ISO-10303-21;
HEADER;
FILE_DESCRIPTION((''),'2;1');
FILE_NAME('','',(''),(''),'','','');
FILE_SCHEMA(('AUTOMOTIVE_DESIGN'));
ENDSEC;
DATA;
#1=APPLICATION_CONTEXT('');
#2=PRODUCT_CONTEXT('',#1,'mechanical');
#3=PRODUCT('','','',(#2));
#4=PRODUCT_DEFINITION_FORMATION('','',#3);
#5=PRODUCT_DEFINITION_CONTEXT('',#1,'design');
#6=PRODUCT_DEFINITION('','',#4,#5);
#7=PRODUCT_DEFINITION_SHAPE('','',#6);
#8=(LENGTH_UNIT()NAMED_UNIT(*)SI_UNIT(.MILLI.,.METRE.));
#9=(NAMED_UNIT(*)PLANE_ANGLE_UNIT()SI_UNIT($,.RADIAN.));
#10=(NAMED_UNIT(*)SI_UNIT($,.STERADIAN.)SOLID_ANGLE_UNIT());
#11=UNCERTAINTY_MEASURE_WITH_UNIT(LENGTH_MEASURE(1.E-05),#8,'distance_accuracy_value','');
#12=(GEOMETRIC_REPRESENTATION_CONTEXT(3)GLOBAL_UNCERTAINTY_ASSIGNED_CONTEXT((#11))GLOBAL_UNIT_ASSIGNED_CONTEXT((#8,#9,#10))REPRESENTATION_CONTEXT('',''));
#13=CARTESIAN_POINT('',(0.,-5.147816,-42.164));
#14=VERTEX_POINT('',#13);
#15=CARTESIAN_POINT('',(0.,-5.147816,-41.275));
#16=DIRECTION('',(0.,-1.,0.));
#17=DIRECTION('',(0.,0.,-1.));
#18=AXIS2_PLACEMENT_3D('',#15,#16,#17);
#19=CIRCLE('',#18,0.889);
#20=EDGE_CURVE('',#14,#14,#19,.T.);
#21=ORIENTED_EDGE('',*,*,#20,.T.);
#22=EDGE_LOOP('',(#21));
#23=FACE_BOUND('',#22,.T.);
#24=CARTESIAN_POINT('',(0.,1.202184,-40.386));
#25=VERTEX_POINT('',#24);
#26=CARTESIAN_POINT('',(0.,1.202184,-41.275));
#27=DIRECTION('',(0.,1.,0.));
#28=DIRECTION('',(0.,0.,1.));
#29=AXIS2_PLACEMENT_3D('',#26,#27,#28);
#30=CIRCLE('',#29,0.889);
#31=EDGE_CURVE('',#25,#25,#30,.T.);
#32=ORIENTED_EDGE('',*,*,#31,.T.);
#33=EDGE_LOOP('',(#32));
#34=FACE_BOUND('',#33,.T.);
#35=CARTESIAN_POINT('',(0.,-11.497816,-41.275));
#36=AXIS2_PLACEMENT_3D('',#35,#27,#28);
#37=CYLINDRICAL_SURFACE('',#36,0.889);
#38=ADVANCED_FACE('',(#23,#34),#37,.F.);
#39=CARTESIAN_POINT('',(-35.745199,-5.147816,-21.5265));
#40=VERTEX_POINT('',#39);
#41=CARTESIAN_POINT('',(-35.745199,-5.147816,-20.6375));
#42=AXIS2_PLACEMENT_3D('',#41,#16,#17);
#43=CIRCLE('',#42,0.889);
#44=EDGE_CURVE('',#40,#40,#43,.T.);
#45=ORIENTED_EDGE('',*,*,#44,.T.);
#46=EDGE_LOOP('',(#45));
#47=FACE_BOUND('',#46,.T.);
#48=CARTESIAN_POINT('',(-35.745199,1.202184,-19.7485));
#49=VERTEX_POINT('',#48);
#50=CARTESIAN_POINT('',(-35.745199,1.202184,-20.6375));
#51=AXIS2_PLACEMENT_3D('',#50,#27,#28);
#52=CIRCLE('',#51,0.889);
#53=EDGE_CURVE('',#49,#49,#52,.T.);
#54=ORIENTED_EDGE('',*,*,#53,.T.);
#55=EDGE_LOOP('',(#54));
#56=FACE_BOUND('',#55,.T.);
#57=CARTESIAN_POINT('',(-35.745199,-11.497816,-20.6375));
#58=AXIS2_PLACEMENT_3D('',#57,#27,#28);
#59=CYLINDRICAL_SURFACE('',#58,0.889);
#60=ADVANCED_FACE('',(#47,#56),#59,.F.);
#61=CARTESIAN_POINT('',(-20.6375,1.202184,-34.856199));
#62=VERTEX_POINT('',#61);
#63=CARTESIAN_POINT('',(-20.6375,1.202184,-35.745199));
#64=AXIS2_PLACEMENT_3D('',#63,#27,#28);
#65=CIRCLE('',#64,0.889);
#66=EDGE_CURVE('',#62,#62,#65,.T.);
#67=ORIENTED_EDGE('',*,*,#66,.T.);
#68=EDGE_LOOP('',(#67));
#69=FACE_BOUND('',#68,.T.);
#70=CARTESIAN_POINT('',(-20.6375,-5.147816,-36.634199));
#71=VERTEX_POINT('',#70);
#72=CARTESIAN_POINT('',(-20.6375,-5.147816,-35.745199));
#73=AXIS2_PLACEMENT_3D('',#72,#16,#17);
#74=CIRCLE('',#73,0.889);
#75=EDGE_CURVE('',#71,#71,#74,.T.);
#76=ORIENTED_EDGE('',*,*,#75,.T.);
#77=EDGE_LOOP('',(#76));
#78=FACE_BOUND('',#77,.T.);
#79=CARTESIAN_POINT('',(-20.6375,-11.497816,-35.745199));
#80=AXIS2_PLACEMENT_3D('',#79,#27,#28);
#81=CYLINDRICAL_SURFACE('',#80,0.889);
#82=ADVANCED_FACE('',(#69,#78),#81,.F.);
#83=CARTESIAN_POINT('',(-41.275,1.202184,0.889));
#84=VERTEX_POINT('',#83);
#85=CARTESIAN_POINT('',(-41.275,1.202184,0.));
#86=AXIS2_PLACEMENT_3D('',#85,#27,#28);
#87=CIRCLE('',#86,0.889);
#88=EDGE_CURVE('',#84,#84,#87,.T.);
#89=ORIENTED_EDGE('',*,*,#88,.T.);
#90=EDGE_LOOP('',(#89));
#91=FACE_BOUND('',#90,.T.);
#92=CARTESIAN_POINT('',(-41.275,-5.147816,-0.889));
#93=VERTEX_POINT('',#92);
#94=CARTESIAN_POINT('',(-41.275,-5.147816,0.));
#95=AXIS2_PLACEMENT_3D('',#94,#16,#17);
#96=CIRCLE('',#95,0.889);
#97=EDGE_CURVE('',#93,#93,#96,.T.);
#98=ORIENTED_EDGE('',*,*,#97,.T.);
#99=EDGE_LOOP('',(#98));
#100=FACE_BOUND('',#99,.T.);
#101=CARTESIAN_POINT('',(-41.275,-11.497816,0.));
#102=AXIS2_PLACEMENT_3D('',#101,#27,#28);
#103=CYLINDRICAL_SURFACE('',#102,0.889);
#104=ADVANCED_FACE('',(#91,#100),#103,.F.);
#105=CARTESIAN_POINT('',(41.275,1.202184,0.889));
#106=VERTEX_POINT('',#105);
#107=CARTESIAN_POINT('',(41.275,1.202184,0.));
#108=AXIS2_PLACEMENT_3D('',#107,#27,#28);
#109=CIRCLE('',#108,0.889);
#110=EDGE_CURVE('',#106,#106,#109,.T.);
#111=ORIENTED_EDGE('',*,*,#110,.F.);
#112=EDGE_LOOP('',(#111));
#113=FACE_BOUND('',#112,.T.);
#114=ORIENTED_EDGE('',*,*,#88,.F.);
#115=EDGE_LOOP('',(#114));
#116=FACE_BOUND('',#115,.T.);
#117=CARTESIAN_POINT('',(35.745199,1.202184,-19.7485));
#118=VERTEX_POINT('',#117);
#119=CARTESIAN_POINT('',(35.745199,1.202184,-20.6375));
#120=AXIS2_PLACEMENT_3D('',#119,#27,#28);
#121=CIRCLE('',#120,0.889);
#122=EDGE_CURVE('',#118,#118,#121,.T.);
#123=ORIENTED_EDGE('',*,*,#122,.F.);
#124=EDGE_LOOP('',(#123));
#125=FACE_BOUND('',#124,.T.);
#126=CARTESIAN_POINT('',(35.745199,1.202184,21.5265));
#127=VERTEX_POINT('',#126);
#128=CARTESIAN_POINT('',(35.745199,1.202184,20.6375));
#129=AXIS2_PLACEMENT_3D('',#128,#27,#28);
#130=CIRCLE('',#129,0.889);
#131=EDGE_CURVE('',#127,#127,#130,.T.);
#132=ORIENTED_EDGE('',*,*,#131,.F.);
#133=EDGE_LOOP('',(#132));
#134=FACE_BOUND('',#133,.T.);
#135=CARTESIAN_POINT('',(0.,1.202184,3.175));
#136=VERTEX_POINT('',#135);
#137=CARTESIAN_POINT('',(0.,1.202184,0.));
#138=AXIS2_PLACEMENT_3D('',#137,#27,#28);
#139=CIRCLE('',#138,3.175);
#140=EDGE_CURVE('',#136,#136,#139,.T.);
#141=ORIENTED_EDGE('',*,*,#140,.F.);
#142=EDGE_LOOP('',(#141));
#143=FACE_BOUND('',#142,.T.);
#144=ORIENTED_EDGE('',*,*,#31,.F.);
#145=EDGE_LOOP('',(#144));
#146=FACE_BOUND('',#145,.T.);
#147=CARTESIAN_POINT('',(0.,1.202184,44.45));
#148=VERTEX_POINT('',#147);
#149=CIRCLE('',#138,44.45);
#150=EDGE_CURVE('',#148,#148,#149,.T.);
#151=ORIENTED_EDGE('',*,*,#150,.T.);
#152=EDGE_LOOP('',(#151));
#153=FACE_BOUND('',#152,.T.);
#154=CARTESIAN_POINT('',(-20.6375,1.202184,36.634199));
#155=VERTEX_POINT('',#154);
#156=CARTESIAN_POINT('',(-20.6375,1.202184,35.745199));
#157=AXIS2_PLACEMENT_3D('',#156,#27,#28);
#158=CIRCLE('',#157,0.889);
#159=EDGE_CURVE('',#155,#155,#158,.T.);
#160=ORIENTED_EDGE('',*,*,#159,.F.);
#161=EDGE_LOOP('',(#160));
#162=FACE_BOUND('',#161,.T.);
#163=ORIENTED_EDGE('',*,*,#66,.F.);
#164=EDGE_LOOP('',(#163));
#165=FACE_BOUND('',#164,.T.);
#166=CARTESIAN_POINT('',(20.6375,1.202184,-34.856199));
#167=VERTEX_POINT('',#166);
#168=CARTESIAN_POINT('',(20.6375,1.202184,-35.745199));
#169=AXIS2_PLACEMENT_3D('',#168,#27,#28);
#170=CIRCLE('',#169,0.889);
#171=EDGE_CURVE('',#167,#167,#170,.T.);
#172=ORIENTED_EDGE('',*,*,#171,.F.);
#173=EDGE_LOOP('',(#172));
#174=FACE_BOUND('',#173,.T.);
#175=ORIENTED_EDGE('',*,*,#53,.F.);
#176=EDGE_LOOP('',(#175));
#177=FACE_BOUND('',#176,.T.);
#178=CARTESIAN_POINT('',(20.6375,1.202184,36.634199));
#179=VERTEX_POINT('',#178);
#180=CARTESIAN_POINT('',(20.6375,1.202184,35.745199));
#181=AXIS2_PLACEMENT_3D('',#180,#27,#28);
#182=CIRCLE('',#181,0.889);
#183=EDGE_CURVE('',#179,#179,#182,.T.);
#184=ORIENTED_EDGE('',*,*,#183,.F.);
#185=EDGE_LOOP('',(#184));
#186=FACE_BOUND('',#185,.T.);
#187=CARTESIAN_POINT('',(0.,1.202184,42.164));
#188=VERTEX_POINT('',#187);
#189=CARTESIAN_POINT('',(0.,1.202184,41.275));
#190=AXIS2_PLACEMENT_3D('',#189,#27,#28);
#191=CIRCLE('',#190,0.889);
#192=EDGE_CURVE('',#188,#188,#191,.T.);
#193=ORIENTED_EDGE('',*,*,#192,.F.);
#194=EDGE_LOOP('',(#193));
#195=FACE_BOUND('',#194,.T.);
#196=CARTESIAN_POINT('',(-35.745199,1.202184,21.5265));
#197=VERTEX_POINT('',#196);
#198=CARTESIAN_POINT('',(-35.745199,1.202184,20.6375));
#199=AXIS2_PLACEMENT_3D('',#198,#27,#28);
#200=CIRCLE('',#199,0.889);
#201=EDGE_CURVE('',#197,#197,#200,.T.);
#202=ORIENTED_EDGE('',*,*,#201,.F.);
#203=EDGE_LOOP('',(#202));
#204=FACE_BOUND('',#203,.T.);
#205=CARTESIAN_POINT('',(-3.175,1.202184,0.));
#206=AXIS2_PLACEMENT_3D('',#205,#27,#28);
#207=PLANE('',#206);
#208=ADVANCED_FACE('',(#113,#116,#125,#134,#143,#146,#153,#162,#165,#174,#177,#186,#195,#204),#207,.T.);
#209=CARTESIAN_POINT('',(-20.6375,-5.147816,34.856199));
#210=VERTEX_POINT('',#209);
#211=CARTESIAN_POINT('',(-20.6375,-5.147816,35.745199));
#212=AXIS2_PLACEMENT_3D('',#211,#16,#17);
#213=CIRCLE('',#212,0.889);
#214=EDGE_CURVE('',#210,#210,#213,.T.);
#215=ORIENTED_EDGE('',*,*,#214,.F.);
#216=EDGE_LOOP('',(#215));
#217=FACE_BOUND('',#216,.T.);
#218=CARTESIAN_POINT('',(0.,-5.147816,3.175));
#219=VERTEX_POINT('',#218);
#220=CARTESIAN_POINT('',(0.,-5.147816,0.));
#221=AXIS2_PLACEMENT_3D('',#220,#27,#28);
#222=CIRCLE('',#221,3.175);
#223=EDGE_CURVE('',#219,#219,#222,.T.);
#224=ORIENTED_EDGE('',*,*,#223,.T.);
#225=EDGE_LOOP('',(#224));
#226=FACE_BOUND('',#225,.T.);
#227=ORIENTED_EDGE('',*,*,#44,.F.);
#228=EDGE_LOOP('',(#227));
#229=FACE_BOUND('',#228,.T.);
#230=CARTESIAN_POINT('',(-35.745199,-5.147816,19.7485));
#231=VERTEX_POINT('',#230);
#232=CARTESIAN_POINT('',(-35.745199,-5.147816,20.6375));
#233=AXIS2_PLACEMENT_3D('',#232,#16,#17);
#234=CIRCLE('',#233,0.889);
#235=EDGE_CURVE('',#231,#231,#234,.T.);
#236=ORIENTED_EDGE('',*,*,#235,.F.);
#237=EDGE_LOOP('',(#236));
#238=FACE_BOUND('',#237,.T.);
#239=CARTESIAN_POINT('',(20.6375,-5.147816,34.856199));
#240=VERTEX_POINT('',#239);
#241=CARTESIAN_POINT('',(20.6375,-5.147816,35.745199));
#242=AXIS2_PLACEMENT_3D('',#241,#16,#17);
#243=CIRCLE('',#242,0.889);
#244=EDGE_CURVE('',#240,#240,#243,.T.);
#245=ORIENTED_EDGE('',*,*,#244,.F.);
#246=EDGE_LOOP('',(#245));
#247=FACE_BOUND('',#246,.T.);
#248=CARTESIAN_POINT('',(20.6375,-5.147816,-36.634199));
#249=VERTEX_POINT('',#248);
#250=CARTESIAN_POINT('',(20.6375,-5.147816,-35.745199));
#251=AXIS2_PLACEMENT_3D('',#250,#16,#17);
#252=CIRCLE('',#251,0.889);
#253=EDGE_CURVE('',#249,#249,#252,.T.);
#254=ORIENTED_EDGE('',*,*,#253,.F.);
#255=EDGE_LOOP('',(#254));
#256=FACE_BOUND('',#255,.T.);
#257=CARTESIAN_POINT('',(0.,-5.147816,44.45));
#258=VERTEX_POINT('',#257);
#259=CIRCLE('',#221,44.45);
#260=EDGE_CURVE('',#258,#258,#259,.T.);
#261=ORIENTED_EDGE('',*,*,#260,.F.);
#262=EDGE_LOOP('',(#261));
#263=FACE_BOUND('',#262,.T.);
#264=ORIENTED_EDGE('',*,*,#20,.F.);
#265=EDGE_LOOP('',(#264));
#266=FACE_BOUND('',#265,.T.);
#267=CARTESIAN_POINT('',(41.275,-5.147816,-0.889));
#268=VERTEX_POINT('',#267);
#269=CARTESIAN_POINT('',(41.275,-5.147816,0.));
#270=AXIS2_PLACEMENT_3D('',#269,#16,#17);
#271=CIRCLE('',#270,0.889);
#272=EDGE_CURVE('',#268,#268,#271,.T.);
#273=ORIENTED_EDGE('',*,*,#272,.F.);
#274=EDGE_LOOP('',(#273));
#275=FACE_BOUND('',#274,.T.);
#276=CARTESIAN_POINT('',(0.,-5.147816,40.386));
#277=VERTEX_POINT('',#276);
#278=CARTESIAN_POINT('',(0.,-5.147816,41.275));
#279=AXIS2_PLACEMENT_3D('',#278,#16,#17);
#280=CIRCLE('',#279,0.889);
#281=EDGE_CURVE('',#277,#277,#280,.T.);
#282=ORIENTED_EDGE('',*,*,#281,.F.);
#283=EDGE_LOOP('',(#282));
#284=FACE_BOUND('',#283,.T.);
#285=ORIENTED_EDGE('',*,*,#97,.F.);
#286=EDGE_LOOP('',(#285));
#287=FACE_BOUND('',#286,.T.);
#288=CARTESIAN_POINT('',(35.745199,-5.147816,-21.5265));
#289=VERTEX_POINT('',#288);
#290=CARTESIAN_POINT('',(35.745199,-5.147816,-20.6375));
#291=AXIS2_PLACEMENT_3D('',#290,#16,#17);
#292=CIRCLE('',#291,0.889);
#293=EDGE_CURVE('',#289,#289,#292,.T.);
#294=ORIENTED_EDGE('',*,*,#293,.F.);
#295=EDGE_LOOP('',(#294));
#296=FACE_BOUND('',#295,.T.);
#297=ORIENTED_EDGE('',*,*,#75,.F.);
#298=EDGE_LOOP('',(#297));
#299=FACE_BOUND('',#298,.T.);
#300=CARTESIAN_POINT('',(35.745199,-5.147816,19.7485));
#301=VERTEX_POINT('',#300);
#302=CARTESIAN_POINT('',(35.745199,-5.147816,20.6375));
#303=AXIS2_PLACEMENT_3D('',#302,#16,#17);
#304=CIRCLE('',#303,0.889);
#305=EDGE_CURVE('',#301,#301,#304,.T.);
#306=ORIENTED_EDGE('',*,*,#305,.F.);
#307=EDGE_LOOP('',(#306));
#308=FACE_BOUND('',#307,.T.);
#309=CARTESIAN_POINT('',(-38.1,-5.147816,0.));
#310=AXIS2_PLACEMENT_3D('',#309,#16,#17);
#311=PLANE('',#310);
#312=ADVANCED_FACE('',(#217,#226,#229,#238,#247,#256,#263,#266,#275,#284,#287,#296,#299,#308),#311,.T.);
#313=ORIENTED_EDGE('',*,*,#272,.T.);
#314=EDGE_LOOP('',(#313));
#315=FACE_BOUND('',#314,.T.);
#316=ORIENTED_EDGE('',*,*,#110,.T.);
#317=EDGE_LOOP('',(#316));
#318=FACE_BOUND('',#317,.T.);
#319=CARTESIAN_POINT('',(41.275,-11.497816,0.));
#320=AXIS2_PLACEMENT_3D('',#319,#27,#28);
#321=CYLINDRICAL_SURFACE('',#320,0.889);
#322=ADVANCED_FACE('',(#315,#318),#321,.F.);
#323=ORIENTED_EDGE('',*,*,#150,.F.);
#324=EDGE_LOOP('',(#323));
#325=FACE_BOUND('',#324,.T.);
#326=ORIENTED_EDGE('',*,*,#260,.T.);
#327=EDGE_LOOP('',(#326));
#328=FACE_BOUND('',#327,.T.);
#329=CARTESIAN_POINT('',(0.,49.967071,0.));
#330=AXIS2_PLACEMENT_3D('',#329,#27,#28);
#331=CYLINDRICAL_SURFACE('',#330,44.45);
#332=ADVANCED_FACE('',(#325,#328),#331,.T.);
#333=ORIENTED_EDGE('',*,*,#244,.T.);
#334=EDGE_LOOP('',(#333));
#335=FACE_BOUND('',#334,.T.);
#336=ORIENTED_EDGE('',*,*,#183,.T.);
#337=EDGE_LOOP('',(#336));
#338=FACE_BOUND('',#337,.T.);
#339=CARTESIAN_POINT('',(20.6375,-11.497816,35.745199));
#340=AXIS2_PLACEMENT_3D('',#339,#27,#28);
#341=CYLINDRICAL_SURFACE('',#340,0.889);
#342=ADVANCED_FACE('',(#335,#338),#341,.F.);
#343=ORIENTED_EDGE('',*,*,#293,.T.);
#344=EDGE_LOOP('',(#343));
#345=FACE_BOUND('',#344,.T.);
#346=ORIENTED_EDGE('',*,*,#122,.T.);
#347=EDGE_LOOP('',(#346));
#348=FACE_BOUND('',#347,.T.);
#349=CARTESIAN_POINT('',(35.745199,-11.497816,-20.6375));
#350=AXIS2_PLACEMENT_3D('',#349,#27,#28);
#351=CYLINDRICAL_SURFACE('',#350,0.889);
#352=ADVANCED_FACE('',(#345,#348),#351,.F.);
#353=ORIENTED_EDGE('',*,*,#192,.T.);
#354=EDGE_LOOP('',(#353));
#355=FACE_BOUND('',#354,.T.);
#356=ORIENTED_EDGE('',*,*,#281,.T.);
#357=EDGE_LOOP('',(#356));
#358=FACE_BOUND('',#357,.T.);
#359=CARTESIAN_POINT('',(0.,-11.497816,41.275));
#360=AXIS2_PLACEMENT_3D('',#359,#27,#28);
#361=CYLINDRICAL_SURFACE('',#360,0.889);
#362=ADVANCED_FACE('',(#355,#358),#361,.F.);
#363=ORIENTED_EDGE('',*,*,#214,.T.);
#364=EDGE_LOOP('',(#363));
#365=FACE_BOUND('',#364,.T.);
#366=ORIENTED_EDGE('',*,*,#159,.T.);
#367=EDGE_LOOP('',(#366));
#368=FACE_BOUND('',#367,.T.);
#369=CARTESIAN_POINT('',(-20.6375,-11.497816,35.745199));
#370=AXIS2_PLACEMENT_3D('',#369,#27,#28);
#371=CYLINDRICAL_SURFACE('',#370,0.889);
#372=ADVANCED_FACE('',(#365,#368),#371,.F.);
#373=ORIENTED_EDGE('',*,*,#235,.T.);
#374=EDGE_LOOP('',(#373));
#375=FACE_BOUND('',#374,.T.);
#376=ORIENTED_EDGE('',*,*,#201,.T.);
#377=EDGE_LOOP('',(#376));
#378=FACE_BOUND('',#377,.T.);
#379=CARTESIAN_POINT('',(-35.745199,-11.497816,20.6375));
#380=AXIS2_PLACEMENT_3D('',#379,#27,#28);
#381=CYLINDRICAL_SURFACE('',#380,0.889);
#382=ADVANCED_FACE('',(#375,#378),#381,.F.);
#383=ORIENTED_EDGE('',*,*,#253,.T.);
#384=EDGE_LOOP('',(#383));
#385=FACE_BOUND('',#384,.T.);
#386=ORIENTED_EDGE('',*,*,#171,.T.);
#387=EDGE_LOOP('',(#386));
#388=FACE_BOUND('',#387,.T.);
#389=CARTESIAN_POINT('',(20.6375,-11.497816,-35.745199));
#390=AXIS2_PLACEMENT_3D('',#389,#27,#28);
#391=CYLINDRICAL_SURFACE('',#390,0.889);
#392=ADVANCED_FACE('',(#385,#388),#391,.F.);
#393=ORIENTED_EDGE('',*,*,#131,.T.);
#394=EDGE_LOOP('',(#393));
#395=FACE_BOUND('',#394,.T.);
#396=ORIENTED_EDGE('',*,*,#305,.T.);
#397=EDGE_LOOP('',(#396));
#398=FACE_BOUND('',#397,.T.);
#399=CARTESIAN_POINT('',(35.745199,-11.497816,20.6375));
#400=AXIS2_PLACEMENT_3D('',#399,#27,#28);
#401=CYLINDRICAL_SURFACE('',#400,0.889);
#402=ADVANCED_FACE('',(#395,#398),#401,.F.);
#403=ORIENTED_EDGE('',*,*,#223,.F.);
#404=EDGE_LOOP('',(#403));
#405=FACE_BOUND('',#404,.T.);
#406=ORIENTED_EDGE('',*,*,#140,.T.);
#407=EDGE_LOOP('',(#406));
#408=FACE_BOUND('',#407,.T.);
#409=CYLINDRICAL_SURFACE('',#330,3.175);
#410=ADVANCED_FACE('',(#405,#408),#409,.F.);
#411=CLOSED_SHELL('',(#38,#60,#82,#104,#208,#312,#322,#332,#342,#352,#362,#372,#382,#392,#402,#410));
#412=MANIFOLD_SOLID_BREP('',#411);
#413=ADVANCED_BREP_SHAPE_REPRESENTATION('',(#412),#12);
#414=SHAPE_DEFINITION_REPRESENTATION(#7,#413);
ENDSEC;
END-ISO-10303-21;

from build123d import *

# Parameters (mm, degrees)
SKETCH5_R          = 0.889
CUT_EXTRUDE1_DEPTH = 12.7


with BuildPart() as part:
    # Sketch2 → Revolve1 (revolve)
    with BuildSketch(Plane.XY):
        Polygon((-38.1, -5.147815534), (-44.45, -5.147815534), (-44.45, 1.202184466), (-3.175, 1.202184466), (-3.175, -5.147815534), (-34.925, -5.147815534), align=None)
    revolve(axis=Axis((0, 49.967071373, 0), (0, -1, 0)))

    # Sketch5 → Cut-Extrude1 (cut)
    with BuildSketch(Plane(origin=(0, 1.202184466, 0), x_dir=(1, 0, 0), z_dir=(0, 1, 0))):
        with Locations((-41.275, 0)):
            Circle(SKETCH5_R)
        with Locations((-35.745198541, 20.6375)):
            Circle(SKETCH5_R)
        with Locations((-20.6375, 35.745198541)):
            Circle(SKETCH5_R)
        with Locations((0, 41.275)):
            Circle(SKETCH5_R)
        with Locations((20.6375, 35.745198541)):
            Circle(SKETCH5_R)
        with Locations((35.745198541, 20.6375)):
            Circle(SKETCH5_R)
        with Locations((41.275, 0)):
            Circle(SKETCH5_R)
        with Locations((35.745198541, -20.6375)):
            Circle(SKETCH5_R)
        with Locations((20.6375, -35.745198541)):
            Circle(SKETCH5_R)
        with Locations((0, -41.275)):
            Circle(SKETCH5_R)
        with Locations((-20.6375, -35.745198541)):
            Circle(SKETCH5_R)
        with Locations((-35.745198541, -20.6375)):
            Circle(SKETCH5_R)
    extrude(amount=-CUT_EXTRUDE1_DEPTH, mode=Mode.SUBTRACT)


solid = part.part
